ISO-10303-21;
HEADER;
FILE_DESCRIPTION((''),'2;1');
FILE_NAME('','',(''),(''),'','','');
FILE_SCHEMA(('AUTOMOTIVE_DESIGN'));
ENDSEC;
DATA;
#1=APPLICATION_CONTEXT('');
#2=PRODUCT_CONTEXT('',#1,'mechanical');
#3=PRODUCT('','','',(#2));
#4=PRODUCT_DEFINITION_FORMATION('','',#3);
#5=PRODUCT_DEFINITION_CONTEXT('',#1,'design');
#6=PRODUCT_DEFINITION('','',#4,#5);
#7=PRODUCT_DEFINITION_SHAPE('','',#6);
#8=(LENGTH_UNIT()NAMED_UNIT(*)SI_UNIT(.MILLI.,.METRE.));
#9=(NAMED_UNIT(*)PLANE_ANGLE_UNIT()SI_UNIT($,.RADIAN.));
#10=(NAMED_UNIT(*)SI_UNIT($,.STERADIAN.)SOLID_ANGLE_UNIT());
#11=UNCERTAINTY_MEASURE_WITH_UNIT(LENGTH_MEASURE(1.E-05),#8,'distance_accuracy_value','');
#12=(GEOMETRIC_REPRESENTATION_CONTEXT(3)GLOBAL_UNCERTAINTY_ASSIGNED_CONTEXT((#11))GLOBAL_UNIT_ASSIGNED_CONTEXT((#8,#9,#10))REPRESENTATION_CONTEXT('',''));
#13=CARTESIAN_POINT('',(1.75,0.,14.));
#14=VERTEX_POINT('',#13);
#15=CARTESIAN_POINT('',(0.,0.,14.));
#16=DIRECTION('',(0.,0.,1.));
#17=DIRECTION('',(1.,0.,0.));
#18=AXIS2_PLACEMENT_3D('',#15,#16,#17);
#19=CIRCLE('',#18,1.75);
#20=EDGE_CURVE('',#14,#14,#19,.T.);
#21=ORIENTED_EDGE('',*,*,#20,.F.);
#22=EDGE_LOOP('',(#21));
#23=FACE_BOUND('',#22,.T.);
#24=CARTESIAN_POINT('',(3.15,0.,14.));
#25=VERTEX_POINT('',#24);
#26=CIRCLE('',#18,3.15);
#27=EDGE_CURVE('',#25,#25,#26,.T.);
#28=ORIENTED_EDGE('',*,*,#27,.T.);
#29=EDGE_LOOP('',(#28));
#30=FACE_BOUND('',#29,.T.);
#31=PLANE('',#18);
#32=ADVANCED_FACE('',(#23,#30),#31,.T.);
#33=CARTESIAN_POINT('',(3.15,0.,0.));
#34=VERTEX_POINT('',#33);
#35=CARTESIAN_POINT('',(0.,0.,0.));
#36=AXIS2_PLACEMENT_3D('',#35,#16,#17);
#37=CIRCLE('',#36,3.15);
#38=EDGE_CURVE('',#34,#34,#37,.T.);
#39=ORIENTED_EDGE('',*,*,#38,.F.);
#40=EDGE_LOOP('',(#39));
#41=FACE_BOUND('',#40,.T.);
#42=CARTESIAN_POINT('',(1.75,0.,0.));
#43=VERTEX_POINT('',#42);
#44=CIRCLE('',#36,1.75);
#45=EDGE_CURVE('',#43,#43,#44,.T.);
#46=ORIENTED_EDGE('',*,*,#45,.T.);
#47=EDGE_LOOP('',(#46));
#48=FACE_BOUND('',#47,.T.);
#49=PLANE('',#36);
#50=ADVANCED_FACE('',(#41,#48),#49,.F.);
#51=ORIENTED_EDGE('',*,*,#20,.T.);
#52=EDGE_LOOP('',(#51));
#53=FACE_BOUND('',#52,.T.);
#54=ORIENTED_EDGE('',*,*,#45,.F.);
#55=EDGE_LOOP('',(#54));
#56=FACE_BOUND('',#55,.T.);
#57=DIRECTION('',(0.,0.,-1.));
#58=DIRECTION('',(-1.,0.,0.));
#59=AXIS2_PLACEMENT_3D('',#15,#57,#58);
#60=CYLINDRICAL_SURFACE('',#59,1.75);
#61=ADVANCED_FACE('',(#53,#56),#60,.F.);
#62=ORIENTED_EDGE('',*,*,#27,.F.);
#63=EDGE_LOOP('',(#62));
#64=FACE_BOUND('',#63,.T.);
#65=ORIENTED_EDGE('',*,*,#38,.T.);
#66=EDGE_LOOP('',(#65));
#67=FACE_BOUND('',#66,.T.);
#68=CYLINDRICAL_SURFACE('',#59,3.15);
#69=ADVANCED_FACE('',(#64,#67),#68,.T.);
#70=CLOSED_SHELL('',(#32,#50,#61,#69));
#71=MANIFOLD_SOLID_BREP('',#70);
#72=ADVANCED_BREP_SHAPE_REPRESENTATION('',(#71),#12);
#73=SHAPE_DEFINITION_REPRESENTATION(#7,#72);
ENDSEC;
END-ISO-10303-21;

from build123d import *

# Parameters (mm, degrees)
SZKIC1_R                    = 3.15
SZKIC1_R_2                  = 1.75
DODANIE_WYCI_GNI_CIE1_DEPTH = 14


with BuildPart() as part:
    # Szkic1 → Dodanie-wyciągnięcie1 (new body)
    with BuildSketch(Plane.XY):
        Circle(SZKIC1_R)
        Circle(SZKIC1_R_2, mode=Mode.SUBTRACT)
    extrude(amount=DODANIE_WYCI_GNI_CIE1_DEPTH)


solid = part.part
